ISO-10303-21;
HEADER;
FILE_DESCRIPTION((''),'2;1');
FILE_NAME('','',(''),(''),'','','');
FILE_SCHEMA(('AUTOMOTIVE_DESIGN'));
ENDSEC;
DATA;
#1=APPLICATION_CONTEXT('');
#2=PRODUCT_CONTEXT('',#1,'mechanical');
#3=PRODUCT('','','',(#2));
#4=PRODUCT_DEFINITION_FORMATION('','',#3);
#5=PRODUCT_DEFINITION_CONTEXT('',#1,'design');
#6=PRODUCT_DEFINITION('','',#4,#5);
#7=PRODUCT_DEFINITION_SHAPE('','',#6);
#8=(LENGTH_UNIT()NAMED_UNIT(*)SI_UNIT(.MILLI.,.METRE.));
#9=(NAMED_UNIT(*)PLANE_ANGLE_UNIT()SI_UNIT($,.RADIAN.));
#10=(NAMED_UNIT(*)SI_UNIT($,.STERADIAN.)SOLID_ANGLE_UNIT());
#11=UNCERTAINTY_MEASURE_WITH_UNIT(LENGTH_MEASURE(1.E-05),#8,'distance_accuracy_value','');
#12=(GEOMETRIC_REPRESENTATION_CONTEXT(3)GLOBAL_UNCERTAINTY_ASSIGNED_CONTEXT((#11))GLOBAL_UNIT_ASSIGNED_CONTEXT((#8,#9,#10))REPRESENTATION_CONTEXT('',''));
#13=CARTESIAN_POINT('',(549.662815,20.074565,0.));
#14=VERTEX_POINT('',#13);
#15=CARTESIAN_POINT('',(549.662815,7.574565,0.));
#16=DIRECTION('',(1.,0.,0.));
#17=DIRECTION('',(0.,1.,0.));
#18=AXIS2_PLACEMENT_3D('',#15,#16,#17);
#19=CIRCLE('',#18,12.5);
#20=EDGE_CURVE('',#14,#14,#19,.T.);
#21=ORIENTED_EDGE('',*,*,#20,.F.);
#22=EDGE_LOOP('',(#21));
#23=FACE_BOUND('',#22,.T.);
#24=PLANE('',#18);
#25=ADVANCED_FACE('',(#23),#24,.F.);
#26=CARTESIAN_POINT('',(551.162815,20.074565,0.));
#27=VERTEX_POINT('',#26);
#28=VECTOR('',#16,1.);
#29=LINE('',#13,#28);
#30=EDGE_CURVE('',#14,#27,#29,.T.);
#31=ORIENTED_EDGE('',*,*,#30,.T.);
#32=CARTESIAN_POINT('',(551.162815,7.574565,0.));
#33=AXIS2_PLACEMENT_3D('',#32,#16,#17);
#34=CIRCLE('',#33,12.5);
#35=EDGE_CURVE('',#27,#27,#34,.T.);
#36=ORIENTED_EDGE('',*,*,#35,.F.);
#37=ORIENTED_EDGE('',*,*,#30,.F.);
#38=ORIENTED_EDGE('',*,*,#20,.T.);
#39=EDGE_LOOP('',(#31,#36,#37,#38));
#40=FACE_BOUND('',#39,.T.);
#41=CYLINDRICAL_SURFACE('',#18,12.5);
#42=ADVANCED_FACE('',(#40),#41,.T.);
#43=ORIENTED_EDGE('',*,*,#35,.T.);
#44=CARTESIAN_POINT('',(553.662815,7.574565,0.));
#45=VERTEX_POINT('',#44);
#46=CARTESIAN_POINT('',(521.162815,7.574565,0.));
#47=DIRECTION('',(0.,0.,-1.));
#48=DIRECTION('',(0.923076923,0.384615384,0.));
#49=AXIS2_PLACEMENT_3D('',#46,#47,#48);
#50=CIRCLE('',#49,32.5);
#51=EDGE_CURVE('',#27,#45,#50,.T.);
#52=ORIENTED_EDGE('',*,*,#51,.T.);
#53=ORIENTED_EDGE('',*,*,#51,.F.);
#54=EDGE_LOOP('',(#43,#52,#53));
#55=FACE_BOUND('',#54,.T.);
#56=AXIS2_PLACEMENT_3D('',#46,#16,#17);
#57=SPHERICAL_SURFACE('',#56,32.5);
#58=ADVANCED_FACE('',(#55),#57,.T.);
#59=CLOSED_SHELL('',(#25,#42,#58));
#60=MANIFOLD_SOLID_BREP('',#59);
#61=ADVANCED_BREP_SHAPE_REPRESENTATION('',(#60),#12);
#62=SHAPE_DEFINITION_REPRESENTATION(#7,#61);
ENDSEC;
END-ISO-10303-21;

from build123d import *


with BuildPart() as part:
    # 草图1 → 旋转1 (revolve)
    with BuildSketch(Plane.XY):
        with BuildLine():
            Line((549.662815003, 7.574565257), (549.662815003, 20.074565257))
            Line((549.662815003, 20.074565257), (551.162815003, 20.074565257))
            ThreePointArc((551.162815003, 20.074565257), (553.031686962, 13.948339649), (553.662815003, 7.574565257))
            Line((553.662815003, 7.574565257), (549.662815003, 7.574565257))
        make_face()
    revolve(axis=Axis((547.633707424, 7.574565257, 0), (1, 0, 0)))


solid = part.part
